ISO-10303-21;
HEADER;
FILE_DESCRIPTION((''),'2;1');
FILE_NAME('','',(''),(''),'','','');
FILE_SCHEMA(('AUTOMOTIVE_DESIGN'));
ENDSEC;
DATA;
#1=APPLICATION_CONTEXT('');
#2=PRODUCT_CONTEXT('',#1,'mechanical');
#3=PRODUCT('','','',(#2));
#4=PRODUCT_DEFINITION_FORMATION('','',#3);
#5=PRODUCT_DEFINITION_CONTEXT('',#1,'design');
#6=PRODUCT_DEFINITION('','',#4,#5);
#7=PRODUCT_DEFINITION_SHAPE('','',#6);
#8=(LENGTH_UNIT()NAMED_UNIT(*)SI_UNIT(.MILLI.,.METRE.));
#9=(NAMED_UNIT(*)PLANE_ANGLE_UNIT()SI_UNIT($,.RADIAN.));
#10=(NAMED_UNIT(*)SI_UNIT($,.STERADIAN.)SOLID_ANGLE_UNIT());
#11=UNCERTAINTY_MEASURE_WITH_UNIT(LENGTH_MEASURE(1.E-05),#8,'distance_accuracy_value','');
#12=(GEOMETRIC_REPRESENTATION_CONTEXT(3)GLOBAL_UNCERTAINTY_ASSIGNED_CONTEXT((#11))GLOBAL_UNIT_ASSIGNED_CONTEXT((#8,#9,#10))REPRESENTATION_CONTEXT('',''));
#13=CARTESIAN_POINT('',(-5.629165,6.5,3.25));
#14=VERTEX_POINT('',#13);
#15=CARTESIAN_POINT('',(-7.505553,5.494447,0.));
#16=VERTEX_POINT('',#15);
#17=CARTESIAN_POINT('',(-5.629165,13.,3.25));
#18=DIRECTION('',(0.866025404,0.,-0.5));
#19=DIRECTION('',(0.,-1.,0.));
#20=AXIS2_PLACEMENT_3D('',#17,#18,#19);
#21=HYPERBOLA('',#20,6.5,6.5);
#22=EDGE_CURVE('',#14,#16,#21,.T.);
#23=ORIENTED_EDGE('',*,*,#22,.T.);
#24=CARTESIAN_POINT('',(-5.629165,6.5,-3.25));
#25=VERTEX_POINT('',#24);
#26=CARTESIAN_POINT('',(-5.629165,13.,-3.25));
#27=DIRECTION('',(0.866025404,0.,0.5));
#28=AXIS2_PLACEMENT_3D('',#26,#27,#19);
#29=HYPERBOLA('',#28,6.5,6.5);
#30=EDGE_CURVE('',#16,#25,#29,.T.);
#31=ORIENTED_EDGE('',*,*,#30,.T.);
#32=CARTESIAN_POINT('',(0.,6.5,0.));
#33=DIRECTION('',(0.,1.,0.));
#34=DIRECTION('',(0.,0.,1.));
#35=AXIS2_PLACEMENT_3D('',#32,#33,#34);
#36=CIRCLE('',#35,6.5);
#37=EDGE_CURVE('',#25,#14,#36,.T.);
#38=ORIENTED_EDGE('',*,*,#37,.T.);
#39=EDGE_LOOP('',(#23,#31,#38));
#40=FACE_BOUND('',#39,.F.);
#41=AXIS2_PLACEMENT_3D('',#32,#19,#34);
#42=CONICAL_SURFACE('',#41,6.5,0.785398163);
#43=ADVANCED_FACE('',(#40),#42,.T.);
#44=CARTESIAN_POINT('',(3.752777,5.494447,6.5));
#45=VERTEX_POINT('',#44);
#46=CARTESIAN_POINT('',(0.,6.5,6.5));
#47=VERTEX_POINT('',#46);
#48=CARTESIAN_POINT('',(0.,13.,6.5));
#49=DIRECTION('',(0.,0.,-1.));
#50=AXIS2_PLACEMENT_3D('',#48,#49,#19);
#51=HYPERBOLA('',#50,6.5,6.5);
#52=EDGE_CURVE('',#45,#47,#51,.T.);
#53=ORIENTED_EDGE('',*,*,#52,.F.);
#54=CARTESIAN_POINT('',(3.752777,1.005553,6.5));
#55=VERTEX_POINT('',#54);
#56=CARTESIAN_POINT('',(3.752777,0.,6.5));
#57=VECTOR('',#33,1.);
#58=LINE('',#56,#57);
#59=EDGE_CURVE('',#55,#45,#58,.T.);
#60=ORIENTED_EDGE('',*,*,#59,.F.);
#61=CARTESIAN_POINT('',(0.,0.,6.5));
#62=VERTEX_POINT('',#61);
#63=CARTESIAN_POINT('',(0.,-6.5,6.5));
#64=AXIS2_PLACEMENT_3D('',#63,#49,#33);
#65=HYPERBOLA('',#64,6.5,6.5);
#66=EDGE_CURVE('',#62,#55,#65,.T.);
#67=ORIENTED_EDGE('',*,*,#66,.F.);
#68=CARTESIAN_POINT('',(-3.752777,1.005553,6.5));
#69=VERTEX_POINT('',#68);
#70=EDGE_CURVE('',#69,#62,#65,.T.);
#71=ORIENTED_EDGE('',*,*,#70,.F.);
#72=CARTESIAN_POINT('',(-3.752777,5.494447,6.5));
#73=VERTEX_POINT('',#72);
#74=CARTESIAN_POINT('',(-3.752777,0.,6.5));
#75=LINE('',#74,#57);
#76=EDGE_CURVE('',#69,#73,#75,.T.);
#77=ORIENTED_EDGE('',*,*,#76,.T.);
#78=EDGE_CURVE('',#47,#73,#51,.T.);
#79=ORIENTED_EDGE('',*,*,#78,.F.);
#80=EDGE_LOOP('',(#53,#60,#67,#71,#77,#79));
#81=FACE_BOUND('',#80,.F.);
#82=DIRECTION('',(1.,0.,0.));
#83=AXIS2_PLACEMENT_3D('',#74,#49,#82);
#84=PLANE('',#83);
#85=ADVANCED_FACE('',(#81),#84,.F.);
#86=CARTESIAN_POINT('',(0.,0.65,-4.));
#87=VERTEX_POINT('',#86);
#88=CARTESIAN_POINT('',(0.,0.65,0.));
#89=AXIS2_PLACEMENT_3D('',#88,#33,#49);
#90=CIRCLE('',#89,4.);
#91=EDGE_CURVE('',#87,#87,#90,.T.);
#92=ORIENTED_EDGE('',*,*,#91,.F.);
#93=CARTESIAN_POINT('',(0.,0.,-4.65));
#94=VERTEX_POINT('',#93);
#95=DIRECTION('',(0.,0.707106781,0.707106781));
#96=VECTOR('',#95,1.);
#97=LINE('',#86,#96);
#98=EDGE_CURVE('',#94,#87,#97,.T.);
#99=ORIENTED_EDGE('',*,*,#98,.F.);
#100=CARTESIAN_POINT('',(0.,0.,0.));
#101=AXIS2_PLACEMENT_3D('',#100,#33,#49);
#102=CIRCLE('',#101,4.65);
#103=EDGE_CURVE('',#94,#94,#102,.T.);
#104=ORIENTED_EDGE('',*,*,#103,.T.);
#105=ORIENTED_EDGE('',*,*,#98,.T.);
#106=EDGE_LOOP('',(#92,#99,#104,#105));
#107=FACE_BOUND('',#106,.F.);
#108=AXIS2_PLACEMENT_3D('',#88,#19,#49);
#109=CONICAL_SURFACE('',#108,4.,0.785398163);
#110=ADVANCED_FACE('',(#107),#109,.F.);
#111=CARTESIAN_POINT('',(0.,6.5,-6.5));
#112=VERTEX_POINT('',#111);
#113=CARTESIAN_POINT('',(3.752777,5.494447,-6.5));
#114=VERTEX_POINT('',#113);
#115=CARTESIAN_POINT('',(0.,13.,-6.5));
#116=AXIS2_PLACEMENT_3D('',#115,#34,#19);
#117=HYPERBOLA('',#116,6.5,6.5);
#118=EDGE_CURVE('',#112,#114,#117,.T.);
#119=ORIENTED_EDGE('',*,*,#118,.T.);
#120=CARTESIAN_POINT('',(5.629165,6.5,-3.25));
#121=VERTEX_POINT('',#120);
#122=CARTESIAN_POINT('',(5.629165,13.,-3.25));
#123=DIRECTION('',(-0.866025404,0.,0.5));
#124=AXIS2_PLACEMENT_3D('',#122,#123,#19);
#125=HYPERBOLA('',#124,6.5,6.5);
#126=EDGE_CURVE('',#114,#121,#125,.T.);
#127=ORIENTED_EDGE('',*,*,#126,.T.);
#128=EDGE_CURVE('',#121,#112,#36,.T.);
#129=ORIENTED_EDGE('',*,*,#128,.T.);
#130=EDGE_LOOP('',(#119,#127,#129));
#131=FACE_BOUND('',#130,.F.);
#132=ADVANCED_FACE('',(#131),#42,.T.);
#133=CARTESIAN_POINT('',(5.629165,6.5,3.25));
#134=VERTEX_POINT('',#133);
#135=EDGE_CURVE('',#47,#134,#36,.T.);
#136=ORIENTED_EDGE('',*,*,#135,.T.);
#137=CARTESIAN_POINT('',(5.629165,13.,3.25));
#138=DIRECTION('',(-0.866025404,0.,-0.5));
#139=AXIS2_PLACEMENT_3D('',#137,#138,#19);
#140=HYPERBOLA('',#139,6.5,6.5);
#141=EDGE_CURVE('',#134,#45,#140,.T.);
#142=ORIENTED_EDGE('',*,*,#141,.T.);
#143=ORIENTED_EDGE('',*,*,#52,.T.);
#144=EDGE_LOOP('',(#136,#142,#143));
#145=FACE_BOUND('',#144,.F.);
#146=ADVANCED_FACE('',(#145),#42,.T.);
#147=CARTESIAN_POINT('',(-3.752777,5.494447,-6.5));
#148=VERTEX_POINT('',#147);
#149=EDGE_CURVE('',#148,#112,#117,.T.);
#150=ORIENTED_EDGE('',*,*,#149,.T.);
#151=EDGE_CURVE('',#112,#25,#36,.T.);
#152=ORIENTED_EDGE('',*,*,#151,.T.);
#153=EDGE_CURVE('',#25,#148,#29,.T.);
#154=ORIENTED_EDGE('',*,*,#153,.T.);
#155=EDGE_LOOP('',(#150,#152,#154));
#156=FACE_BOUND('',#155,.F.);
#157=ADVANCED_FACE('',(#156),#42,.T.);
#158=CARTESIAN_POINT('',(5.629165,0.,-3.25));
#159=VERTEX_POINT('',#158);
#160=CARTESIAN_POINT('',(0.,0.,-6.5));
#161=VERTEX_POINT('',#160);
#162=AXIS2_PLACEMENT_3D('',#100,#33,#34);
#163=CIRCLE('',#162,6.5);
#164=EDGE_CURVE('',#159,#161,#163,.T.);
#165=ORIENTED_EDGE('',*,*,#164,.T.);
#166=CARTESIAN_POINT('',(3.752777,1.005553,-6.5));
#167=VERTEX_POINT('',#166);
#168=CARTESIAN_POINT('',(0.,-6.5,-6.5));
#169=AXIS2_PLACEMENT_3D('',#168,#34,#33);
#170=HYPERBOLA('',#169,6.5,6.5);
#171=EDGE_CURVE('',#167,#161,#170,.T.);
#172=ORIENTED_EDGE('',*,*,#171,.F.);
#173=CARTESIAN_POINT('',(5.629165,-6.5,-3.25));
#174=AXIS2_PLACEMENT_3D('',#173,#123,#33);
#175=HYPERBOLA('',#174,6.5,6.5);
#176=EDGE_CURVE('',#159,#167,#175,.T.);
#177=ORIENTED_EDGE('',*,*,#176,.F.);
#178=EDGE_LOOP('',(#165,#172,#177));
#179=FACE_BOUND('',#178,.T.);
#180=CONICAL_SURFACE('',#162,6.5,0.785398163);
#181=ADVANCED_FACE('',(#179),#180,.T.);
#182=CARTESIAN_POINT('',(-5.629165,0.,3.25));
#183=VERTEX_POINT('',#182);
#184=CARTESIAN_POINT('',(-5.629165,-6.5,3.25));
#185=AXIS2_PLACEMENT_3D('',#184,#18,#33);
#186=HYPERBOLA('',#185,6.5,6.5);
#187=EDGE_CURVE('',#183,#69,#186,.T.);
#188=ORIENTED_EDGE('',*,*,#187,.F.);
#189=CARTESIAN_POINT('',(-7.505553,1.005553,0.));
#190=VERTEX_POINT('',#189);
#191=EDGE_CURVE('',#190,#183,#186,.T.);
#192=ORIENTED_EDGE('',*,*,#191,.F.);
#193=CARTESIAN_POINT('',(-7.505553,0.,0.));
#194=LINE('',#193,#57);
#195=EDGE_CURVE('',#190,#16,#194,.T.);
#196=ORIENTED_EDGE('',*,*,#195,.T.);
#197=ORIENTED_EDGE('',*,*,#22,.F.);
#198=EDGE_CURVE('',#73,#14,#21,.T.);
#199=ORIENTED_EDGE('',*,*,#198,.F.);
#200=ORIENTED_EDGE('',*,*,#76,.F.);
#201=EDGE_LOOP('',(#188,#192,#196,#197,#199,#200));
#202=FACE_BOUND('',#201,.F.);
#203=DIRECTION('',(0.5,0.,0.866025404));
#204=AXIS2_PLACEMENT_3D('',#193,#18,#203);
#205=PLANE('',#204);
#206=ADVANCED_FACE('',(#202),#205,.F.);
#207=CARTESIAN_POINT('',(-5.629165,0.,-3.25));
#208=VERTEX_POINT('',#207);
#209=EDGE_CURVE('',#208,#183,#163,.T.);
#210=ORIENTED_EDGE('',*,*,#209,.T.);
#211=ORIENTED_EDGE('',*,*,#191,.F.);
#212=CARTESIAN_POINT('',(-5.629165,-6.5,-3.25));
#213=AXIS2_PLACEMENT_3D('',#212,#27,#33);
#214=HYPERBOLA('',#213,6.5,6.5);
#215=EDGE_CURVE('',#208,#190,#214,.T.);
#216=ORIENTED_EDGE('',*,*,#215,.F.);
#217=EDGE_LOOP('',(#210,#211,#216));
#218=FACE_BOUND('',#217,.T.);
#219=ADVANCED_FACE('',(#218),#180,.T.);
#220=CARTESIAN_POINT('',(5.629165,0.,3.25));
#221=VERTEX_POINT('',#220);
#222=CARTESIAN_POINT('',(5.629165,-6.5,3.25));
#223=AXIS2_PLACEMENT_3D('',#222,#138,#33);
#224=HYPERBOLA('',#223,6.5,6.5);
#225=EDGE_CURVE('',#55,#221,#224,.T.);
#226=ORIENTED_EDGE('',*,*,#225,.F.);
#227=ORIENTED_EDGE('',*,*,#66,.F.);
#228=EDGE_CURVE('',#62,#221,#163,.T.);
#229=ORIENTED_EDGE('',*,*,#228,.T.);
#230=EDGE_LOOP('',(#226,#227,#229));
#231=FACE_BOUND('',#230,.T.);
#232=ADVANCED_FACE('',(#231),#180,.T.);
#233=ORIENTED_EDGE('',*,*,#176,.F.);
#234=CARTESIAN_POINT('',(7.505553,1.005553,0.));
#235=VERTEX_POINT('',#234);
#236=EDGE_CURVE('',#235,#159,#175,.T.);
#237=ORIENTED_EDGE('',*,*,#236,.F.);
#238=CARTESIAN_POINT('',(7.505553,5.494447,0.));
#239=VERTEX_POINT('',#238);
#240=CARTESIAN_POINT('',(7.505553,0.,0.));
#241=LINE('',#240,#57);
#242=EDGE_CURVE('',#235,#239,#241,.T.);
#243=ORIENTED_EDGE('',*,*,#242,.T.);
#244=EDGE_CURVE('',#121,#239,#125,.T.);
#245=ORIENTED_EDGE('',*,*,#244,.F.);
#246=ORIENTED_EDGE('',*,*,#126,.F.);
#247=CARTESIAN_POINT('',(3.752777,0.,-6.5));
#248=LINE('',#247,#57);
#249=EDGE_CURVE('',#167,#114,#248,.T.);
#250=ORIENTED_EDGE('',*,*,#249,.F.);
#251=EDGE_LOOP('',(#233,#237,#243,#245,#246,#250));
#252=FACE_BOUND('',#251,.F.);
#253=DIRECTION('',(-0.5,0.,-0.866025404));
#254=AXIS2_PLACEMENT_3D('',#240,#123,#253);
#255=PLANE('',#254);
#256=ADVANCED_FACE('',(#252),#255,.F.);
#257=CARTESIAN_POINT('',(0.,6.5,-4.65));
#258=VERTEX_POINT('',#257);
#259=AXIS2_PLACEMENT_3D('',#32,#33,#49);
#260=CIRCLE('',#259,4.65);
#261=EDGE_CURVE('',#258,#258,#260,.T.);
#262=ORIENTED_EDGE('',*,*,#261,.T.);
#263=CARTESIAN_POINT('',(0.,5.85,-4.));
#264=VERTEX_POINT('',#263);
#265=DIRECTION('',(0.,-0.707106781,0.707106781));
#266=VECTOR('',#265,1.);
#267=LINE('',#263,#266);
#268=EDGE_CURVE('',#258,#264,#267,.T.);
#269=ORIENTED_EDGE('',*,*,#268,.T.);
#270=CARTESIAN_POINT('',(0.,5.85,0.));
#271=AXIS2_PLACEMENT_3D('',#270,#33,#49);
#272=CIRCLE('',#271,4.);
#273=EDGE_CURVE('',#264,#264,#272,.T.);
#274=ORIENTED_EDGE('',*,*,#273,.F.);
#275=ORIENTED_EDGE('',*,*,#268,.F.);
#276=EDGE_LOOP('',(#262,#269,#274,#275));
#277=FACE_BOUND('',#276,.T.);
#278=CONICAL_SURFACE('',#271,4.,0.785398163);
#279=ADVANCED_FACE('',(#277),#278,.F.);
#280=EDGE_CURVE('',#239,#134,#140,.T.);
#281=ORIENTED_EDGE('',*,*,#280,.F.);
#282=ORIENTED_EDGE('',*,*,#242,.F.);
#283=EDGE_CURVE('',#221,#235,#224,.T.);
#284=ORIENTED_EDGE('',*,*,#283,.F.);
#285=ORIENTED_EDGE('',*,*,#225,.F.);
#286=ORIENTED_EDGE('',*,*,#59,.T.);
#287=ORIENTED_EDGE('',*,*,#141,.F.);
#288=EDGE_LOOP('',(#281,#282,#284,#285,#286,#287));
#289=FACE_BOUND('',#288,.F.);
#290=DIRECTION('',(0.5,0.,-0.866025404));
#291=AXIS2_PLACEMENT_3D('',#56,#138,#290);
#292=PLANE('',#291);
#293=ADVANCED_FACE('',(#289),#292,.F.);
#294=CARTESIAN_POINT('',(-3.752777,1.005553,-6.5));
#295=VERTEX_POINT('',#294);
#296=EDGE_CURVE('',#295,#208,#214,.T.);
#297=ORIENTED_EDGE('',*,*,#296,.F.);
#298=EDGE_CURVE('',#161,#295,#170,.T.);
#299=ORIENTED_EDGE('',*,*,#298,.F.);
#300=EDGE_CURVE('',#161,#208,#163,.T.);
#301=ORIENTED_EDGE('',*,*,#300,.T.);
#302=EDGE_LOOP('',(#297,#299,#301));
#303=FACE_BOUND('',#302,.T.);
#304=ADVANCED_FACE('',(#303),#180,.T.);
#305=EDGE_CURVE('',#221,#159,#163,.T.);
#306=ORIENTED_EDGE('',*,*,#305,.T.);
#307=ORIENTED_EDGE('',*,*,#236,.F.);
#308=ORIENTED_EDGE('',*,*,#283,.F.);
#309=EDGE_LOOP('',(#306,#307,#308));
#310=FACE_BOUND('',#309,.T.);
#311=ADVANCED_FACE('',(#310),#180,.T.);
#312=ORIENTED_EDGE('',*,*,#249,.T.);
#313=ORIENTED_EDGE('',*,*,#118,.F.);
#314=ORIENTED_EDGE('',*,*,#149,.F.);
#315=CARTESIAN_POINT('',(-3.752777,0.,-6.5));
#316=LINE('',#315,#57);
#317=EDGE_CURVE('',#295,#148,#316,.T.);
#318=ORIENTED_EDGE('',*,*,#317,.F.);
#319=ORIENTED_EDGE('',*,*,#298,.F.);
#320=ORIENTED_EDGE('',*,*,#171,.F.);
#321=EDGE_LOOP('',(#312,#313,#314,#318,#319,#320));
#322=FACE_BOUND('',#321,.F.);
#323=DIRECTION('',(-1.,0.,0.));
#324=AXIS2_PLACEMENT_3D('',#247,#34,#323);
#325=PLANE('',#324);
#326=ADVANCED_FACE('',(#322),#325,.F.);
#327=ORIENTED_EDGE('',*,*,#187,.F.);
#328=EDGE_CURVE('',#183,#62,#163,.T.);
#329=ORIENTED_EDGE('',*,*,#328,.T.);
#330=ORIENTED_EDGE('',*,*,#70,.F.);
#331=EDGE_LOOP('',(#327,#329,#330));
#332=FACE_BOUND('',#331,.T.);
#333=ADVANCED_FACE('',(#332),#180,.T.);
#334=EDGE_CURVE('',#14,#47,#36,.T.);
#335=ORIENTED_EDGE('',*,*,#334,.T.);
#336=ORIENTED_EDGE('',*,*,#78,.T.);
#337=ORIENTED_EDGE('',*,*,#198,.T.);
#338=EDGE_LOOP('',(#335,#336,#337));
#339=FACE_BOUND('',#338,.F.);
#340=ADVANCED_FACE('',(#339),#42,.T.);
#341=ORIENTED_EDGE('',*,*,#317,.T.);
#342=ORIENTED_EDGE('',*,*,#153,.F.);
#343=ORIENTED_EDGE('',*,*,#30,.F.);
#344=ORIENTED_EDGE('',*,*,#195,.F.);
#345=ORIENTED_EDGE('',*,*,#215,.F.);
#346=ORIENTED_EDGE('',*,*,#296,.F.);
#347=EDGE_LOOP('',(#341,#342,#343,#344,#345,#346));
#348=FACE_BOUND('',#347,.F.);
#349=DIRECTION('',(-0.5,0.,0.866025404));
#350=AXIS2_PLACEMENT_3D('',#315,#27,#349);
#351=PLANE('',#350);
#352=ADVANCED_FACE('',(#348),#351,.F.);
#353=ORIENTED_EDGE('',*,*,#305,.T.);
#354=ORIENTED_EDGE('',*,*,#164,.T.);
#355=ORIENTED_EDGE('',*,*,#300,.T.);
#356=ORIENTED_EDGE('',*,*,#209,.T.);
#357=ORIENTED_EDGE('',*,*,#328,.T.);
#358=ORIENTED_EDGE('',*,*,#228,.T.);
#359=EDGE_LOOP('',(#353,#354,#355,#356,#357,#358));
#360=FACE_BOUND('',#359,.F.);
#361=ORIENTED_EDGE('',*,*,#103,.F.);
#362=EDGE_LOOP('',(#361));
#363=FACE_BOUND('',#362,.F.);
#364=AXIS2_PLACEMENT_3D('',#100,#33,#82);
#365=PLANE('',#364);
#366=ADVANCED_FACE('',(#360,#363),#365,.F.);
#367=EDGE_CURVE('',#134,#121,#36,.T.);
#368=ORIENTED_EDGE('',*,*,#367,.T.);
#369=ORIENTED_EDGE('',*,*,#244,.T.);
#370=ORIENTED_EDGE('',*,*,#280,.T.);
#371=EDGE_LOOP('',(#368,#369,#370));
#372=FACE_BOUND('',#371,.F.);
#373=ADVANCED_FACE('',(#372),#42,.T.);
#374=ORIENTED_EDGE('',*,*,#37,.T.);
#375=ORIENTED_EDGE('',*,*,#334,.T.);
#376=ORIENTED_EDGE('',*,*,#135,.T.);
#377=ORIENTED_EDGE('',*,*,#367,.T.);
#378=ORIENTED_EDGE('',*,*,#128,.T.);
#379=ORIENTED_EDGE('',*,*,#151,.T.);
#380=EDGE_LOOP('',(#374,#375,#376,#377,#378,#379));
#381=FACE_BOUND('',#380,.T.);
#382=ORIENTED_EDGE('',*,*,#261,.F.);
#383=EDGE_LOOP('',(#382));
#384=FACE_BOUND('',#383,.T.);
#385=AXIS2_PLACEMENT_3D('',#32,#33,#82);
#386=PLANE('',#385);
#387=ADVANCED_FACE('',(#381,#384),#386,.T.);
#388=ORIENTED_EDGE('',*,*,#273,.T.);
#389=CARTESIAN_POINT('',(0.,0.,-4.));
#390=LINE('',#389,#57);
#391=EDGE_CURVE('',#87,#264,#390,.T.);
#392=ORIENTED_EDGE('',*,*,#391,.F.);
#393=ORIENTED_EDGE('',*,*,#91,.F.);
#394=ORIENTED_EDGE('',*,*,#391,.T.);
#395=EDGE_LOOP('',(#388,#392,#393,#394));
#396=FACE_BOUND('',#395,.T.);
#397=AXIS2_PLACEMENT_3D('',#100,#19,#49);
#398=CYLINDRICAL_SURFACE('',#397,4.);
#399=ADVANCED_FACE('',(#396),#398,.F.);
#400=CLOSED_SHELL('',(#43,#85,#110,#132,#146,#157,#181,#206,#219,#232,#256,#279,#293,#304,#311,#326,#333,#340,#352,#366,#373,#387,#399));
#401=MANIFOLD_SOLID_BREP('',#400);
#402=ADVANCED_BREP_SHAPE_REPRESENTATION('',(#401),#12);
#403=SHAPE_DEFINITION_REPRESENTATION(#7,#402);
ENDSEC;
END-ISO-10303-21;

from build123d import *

# Parameters (mm, degrees)
SKETCH1_R           = 4
BOSS_EXTRUDE1_DEPTH = 6.5
CHAMFER1_SIZE       = 0.65


with BuildPart() as part:
    # Sketch1 → Boss-Extrude1 (new body)
    with BuildSketch(Plane(origin=(0, 0, 0), x_dir=(1, 0, 0), z_dir=(0, 1, 0))):
        Polygon((7.505553499, 0), (3.75277675, 6.5), (-3.75277675, 6.5), (-7.505553499, 0), (-3.75277675, -6.5), (3.75277675, -6.5), align=None)
        with Locations(Location((0, 0, 0), (0, 0, 90))):
            Circle(SKETCH1_R, mode=Mode.SUBTRACT)
    extrude(amount=BOSS_EXTRUDE1_DEPTH)

    # Sketch3 → Cut-Revolve1 (revolve, cut)
    with BuildSketch(Plane(origin=(0, 0, 0), x_dir=(0, 0, -1), z_dir=(1, 0, 0))):
        Polygon((-6.5, 0), (-8.75, 2.25), (-8.75, 0), align=None)
        Polygon((-8.75, 6.5), (-6.5, 6.5), (-8.75, 4.25), align=None)
    revolve(axis=Axis((0, 0, 0), (0, 1, 0)), mode=Mode.SUBTRACT)

    # Chamfer1
    chamfer1_edges = [part.edges().sort_by_distance(p)[0] for p in [
        (0, 0, 4),
        (0, 6.5, 4),
    ]]
    chamfer(chamfer1_edges, length=CHAMFER1_SIZE)


solid = part.part
